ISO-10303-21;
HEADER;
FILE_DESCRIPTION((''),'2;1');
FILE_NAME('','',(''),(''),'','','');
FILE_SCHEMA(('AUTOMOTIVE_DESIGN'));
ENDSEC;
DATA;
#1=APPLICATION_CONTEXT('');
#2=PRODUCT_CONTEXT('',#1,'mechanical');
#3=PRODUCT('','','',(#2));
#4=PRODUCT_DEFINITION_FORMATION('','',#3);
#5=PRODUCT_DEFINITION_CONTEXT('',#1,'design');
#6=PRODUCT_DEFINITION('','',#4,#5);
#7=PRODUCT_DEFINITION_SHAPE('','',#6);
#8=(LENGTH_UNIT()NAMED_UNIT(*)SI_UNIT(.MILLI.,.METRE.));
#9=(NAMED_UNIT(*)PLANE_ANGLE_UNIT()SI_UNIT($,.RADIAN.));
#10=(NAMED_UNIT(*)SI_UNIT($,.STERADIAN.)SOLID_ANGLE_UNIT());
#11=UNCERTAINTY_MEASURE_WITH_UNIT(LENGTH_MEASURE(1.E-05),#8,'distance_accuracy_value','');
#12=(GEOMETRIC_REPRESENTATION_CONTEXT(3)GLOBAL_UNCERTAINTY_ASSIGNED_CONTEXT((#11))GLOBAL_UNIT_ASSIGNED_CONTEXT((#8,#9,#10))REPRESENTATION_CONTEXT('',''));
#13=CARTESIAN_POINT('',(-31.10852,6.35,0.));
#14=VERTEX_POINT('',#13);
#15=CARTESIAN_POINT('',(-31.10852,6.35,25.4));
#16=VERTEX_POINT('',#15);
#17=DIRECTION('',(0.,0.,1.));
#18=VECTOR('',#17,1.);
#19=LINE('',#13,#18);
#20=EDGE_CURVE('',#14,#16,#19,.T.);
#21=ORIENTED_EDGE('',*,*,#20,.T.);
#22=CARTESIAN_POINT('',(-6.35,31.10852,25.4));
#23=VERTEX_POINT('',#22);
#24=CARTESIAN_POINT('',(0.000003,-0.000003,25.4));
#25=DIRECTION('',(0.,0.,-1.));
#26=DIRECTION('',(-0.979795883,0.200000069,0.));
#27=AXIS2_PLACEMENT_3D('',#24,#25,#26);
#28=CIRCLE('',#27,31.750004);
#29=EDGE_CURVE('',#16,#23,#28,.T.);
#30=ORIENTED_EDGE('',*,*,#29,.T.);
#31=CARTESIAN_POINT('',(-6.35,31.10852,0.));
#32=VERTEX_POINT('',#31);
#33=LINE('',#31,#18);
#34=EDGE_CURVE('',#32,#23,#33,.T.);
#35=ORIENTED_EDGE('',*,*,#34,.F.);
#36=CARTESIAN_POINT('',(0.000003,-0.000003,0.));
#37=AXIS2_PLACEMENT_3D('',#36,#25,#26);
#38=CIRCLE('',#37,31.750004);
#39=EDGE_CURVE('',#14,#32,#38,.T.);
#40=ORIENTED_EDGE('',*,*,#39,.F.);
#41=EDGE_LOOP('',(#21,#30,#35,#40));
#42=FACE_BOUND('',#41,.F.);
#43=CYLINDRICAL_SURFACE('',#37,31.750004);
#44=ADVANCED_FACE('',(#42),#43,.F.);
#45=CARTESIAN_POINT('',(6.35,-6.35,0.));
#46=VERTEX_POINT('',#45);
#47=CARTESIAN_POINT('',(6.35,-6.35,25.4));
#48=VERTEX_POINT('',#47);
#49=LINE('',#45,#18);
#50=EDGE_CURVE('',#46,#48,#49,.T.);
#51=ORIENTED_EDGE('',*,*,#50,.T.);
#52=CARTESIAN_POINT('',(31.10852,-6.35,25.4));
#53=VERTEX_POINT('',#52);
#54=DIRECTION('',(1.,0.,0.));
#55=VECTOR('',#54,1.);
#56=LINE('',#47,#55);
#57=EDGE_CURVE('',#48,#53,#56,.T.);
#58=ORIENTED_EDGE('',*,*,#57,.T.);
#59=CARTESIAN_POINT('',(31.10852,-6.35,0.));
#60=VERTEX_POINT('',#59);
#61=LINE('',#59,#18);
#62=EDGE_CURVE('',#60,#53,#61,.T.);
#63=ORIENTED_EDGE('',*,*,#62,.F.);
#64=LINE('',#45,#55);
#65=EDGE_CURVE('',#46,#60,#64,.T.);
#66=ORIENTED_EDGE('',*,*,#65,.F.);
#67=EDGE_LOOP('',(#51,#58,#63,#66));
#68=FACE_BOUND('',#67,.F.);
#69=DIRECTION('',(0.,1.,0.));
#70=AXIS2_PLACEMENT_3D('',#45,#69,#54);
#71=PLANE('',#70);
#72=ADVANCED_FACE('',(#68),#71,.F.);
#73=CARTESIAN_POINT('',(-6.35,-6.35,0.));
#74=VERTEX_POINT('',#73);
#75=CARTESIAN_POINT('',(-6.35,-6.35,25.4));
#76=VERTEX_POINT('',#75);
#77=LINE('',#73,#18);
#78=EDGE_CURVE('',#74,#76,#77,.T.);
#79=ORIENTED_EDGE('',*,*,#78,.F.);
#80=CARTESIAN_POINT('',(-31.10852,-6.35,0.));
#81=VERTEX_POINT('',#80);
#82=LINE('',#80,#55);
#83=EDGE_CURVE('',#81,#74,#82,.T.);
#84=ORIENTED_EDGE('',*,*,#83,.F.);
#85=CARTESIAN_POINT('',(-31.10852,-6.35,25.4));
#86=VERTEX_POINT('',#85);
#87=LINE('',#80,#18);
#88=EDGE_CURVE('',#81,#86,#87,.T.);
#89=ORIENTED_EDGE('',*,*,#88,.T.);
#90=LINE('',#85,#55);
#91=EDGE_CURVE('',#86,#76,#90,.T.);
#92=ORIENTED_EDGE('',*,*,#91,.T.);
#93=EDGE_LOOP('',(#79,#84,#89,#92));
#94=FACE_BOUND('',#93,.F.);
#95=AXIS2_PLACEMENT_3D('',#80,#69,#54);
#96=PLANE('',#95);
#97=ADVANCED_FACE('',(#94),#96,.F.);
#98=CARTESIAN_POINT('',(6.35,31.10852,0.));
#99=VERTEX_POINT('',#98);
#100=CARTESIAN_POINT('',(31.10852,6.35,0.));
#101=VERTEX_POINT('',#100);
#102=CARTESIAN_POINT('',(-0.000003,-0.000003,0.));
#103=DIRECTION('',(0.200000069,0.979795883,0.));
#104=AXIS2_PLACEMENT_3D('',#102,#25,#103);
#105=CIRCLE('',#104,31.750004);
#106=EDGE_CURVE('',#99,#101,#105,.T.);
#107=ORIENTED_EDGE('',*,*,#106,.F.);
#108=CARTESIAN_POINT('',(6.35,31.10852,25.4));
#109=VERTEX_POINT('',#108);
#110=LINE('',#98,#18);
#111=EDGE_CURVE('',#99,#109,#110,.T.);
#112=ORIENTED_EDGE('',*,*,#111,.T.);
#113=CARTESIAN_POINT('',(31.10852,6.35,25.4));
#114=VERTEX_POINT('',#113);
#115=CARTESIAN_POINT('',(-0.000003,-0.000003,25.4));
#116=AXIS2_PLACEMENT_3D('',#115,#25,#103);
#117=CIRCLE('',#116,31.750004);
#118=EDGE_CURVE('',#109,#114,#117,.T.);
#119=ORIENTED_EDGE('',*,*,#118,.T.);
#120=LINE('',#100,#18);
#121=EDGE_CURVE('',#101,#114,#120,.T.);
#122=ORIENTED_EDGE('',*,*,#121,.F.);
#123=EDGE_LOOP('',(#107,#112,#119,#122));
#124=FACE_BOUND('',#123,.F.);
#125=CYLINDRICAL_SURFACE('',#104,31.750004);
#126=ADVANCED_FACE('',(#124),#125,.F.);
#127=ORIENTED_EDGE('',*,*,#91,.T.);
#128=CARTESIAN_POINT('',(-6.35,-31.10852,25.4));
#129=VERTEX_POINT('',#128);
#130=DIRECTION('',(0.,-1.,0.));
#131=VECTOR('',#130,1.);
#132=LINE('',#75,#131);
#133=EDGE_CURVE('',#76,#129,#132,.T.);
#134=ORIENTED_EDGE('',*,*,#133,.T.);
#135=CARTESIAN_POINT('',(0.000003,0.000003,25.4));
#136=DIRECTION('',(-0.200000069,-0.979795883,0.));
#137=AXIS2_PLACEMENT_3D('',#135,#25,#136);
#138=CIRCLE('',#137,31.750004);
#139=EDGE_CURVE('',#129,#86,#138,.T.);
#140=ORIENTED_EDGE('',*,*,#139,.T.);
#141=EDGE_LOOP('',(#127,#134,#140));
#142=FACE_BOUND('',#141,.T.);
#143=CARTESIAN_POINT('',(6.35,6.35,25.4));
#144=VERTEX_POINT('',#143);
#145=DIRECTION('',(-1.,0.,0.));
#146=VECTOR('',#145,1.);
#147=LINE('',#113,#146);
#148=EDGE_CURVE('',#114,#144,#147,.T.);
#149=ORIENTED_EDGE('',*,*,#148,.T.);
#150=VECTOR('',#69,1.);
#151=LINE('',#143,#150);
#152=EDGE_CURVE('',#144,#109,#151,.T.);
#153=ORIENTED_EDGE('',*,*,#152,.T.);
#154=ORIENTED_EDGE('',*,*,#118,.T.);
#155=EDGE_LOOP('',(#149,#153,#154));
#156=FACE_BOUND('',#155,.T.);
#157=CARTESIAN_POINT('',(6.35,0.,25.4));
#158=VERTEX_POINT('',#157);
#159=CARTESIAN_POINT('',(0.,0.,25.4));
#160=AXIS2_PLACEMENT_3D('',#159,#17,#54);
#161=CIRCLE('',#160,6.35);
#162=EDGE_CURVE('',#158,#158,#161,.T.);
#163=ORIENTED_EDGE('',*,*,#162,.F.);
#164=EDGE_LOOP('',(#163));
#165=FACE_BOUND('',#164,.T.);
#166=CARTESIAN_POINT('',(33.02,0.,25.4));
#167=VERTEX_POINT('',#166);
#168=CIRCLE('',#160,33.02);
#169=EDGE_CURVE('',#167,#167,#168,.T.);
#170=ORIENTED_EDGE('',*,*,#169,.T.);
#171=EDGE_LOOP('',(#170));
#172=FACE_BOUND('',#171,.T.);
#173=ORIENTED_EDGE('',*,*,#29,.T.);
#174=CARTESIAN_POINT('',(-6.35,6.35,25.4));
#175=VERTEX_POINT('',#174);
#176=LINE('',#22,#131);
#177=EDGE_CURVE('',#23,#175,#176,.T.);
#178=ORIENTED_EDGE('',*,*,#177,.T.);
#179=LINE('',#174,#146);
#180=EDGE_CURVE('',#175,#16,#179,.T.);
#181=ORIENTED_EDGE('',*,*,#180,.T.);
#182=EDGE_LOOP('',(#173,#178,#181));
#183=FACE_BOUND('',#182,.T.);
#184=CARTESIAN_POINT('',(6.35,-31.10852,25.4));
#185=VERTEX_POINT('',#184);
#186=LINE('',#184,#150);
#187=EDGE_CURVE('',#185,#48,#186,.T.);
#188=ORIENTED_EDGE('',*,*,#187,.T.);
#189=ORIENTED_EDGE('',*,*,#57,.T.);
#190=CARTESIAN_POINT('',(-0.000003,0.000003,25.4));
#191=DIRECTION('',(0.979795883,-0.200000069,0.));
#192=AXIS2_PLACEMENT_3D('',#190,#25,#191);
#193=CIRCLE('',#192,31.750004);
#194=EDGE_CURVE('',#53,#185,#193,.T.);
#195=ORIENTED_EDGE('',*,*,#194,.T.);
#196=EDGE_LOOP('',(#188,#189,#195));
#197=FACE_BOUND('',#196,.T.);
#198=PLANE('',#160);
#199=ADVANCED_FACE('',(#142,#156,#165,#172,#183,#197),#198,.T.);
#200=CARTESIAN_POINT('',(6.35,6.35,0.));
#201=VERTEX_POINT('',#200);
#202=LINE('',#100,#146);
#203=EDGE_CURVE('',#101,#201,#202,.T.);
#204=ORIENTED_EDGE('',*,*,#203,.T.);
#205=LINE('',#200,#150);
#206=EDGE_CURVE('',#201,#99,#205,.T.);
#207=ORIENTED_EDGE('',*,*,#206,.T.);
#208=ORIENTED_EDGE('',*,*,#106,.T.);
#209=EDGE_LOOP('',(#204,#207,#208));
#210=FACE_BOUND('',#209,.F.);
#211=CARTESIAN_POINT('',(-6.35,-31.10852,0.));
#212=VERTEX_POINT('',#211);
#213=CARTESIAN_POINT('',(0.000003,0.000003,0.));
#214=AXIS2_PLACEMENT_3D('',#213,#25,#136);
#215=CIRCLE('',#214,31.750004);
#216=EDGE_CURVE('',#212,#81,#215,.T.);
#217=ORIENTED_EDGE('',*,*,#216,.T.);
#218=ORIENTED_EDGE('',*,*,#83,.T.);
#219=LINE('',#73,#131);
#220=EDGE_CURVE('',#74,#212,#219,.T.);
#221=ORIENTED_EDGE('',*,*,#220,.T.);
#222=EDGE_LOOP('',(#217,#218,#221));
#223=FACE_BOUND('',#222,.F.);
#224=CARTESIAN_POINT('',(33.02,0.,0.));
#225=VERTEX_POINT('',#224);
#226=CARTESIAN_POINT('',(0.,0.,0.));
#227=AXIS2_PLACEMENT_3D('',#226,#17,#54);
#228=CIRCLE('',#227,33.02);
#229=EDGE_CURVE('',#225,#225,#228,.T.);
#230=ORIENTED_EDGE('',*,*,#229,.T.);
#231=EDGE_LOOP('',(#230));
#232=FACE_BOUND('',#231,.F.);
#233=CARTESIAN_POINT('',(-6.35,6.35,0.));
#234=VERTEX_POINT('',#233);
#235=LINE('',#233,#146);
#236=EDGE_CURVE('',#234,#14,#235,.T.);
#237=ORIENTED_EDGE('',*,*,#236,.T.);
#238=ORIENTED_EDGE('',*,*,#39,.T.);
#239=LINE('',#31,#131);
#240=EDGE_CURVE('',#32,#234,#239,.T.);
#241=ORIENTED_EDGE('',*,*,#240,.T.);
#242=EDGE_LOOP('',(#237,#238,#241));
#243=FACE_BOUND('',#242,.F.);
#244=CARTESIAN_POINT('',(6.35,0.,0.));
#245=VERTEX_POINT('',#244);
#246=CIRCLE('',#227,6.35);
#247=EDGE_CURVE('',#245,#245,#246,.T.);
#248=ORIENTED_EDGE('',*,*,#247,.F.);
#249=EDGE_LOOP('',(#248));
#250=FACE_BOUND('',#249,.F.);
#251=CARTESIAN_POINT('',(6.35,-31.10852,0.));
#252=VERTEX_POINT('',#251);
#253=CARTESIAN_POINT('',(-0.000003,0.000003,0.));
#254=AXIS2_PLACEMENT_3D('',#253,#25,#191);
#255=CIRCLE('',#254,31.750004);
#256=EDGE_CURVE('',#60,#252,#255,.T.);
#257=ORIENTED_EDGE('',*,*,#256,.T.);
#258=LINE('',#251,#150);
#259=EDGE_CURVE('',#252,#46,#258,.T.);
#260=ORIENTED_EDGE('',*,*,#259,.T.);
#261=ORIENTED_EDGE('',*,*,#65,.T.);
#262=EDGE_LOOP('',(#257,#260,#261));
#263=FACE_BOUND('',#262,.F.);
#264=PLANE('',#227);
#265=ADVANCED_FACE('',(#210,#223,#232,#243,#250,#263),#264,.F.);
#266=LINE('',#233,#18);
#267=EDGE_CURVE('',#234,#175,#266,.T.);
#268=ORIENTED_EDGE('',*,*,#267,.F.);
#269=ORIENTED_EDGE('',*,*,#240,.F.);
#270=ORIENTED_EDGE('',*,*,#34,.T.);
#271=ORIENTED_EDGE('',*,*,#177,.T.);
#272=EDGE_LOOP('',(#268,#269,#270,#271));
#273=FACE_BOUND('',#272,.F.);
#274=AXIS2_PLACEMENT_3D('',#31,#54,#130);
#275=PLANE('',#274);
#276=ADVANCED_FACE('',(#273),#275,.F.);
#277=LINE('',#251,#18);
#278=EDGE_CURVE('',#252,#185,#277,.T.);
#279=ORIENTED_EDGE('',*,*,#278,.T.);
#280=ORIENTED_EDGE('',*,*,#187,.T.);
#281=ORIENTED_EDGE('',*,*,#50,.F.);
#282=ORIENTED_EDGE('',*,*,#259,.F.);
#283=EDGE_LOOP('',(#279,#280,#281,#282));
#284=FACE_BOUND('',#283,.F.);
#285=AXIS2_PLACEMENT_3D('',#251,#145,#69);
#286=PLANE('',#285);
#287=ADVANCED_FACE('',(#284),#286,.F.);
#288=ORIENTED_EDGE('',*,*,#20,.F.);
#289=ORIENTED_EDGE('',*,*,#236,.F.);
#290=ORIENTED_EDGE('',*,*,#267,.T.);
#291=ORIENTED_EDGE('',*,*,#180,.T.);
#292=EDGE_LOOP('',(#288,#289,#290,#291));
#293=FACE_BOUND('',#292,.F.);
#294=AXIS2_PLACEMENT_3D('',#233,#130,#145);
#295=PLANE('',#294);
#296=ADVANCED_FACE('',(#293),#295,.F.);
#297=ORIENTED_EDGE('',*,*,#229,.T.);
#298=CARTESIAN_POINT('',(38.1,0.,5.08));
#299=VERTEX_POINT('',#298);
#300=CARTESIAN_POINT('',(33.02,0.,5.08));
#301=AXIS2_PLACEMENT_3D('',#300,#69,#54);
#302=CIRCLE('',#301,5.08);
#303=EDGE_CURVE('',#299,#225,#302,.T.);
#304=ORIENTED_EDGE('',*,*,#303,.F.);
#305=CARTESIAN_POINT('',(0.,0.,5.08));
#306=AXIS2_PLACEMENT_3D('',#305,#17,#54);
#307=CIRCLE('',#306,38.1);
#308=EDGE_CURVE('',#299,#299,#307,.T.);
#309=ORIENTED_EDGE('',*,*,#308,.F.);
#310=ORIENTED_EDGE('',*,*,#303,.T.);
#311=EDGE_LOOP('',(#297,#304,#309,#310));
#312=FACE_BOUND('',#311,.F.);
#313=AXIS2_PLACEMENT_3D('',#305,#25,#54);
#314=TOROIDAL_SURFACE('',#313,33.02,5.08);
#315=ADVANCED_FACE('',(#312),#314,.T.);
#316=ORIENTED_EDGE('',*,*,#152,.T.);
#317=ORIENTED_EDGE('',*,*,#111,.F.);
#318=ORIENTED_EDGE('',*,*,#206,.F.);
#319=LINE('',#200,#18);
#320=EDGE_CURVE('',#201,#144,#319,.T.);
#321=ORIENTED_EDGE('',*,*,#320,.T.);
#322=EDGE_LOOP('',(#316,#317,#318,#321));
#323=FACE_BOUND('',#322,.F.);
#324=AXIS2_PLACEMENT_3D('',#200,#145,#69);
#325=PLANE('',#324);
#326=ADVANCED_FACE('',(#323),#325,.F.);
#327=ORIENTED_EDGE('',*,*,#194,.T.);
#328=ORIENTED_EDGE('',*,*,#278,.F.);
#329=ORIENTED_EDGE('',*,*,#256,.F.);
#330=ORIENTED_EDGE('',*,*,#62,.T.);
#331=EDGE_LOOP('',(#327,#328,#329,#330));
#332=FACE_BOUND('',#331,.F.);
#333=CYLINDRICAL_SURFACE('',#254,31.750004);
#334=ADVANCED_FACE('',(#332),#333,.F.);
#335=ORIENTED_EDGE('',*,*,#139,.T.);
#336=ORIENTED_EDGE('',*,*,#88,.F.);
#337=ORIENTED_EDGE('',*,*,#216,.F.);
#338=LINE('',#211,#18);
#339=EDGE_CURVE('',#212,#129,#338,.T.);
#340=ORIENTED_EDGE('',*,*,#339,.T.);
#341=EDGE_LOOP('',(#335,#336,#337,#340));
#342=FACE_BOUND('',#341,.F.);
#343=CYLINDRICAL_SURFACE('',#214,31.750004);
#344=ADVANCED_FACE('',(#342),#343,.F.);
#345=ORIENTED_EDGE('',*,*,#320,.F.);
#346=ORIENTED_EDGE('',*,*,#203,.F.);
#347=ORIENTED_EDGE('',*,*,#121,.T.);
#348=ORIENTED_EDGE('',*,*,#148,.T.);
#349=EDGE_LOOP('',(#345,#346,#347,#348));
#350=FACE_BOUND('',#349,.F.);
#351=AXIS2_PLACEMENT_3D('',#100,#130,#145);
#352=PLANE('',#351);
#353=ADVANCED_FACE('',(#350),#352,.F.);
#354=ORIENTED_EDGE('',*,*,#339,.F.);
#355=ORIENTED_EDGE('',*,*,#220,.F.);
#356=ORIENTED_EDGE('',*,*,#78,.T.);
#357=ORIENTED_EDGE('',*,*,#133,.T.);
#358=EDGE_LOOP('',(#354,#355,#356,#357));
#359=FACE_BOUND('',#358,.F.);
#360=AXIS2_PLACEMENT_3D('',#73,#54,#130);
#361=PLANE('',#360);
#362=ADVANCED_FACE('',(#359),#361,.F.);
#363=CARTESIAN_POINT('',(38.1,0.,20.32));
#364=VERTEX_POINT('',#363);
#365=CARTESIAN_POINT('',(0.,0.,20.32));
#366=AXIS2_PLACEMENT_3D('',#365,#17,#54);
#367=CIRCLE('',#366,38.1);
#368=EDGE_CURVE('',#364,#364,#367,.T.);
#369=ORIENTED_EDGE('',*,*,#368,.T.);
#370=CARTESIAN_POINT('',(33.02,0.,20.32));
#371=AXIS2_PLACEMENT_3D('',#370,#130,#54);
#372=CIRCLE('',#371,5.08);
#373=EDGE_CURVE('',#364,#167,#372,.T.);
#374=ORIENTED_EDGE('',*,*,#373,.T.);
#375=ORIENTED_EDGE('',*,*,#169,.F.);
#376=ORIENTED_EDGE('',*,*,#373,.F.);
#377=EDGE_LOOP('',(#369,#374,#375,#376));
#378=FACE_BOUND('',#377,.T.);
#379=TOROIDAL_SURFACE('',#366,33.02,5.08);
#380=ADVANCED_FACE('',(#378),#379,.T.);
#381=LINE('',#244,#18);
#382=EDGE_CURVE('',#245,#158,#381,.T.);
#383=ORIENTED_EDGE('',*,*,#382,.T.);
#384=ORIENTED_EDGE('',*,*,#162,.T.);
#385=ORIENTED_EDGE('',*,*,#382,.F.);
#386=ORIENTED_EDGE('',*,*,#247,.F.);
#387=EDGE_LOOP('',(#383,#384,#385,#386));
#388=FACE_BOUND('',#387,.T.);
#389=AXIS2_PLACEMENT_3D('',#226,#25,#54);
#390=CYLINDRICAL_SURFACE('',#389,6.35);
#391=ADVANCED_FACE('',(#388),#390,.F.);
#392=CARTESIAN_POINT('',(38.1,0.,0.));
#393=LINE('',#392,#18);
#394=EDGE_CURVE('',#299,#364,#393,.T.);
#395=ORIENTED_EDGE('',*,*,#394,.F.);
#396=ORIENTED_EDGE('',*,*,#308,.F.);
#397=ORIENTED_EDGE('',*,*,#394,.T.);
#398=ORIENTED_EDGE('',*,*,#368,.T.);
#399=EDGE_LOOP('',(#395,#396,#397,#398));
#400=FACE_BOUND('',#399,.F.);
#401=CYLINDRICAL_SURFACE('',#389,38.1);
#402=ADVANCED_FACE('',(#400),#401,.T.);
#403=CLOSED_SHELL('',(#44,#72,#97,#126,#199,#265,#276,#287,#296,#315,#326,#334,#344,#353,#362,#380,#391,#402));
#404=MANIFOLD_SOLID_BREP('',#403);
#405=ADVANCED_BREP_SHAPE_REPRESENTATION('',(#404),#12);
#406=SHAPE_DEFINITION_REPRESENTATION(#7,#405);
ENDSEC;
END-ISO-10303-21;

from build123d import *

# Parameters (mm, degrees)
F0_R     = 38.1
F0_R_2   = 6.35
F1_DEPTH = 25.4
F2_R     = 5.08


with BuildPart() as f1:
    # F0 (on Top) → F1 (new body)
    with BuildSketch(Plane.XY):
        Circle(F0_R)
        with BuildLine():
            Line((-31.10852, -6.35), (-6.35, -6.35))
            Line((-6.35, -6.35), (-6.35, -31.10852))
            ThreePointArc((-6.35, -31.10852), (-22.45064, -22.45064), (-31.10852, -6.35))
        make_face(mode=Mode.SUBTRACT)
        with BuildLine():
            Line((6.35, -31.10852), (6.35, -6.35))
            Line((6.35, -6.35), (31.10852, -6.35))
            ThreePointArc((31.10852, -6.35), (22.45064, -22.45064), (6.35, -31.10852))
        make_face(mode=Mode.SUBTRACT)
        with BuildLine():
            Line((-6.35, 31.10852), (-6.35, 6.35))
            Line((-6.35, 6.35), (-31.10852, 6.35))
            ThreePointArc((-31.10852, 6.35), (-22.45064, 22.45064), (-6.35, 31.10852))
        make_face(mode=Mode.SUBTRACT)
        Circle(F0_R_2, mode=Mode.SUBTRACT)
        with BuildLine():
            ThreePointArc((6.35, 31.10852), (22.45064, 22.45064), (31.10852, 6.35))
            Line((31.10852, 6.35), (6.35, 6.35))
            Line((6.35, 6.35), (6.35, 31.10852))
        make_face(mode=Mode.SUBTRACT)
    extrude(amount=F1_DEPTH)

    # F2
    f2_edges = [f1.edges().sort_by_distance(p)[0] for p in [
        (38.1, 0, 12.7),
        (-38.1, 0, 0),
        (-38.1, 0, 25.4),
    ]]
    fillet(f2_edges, radius=F2_R)


solid = f1.part
